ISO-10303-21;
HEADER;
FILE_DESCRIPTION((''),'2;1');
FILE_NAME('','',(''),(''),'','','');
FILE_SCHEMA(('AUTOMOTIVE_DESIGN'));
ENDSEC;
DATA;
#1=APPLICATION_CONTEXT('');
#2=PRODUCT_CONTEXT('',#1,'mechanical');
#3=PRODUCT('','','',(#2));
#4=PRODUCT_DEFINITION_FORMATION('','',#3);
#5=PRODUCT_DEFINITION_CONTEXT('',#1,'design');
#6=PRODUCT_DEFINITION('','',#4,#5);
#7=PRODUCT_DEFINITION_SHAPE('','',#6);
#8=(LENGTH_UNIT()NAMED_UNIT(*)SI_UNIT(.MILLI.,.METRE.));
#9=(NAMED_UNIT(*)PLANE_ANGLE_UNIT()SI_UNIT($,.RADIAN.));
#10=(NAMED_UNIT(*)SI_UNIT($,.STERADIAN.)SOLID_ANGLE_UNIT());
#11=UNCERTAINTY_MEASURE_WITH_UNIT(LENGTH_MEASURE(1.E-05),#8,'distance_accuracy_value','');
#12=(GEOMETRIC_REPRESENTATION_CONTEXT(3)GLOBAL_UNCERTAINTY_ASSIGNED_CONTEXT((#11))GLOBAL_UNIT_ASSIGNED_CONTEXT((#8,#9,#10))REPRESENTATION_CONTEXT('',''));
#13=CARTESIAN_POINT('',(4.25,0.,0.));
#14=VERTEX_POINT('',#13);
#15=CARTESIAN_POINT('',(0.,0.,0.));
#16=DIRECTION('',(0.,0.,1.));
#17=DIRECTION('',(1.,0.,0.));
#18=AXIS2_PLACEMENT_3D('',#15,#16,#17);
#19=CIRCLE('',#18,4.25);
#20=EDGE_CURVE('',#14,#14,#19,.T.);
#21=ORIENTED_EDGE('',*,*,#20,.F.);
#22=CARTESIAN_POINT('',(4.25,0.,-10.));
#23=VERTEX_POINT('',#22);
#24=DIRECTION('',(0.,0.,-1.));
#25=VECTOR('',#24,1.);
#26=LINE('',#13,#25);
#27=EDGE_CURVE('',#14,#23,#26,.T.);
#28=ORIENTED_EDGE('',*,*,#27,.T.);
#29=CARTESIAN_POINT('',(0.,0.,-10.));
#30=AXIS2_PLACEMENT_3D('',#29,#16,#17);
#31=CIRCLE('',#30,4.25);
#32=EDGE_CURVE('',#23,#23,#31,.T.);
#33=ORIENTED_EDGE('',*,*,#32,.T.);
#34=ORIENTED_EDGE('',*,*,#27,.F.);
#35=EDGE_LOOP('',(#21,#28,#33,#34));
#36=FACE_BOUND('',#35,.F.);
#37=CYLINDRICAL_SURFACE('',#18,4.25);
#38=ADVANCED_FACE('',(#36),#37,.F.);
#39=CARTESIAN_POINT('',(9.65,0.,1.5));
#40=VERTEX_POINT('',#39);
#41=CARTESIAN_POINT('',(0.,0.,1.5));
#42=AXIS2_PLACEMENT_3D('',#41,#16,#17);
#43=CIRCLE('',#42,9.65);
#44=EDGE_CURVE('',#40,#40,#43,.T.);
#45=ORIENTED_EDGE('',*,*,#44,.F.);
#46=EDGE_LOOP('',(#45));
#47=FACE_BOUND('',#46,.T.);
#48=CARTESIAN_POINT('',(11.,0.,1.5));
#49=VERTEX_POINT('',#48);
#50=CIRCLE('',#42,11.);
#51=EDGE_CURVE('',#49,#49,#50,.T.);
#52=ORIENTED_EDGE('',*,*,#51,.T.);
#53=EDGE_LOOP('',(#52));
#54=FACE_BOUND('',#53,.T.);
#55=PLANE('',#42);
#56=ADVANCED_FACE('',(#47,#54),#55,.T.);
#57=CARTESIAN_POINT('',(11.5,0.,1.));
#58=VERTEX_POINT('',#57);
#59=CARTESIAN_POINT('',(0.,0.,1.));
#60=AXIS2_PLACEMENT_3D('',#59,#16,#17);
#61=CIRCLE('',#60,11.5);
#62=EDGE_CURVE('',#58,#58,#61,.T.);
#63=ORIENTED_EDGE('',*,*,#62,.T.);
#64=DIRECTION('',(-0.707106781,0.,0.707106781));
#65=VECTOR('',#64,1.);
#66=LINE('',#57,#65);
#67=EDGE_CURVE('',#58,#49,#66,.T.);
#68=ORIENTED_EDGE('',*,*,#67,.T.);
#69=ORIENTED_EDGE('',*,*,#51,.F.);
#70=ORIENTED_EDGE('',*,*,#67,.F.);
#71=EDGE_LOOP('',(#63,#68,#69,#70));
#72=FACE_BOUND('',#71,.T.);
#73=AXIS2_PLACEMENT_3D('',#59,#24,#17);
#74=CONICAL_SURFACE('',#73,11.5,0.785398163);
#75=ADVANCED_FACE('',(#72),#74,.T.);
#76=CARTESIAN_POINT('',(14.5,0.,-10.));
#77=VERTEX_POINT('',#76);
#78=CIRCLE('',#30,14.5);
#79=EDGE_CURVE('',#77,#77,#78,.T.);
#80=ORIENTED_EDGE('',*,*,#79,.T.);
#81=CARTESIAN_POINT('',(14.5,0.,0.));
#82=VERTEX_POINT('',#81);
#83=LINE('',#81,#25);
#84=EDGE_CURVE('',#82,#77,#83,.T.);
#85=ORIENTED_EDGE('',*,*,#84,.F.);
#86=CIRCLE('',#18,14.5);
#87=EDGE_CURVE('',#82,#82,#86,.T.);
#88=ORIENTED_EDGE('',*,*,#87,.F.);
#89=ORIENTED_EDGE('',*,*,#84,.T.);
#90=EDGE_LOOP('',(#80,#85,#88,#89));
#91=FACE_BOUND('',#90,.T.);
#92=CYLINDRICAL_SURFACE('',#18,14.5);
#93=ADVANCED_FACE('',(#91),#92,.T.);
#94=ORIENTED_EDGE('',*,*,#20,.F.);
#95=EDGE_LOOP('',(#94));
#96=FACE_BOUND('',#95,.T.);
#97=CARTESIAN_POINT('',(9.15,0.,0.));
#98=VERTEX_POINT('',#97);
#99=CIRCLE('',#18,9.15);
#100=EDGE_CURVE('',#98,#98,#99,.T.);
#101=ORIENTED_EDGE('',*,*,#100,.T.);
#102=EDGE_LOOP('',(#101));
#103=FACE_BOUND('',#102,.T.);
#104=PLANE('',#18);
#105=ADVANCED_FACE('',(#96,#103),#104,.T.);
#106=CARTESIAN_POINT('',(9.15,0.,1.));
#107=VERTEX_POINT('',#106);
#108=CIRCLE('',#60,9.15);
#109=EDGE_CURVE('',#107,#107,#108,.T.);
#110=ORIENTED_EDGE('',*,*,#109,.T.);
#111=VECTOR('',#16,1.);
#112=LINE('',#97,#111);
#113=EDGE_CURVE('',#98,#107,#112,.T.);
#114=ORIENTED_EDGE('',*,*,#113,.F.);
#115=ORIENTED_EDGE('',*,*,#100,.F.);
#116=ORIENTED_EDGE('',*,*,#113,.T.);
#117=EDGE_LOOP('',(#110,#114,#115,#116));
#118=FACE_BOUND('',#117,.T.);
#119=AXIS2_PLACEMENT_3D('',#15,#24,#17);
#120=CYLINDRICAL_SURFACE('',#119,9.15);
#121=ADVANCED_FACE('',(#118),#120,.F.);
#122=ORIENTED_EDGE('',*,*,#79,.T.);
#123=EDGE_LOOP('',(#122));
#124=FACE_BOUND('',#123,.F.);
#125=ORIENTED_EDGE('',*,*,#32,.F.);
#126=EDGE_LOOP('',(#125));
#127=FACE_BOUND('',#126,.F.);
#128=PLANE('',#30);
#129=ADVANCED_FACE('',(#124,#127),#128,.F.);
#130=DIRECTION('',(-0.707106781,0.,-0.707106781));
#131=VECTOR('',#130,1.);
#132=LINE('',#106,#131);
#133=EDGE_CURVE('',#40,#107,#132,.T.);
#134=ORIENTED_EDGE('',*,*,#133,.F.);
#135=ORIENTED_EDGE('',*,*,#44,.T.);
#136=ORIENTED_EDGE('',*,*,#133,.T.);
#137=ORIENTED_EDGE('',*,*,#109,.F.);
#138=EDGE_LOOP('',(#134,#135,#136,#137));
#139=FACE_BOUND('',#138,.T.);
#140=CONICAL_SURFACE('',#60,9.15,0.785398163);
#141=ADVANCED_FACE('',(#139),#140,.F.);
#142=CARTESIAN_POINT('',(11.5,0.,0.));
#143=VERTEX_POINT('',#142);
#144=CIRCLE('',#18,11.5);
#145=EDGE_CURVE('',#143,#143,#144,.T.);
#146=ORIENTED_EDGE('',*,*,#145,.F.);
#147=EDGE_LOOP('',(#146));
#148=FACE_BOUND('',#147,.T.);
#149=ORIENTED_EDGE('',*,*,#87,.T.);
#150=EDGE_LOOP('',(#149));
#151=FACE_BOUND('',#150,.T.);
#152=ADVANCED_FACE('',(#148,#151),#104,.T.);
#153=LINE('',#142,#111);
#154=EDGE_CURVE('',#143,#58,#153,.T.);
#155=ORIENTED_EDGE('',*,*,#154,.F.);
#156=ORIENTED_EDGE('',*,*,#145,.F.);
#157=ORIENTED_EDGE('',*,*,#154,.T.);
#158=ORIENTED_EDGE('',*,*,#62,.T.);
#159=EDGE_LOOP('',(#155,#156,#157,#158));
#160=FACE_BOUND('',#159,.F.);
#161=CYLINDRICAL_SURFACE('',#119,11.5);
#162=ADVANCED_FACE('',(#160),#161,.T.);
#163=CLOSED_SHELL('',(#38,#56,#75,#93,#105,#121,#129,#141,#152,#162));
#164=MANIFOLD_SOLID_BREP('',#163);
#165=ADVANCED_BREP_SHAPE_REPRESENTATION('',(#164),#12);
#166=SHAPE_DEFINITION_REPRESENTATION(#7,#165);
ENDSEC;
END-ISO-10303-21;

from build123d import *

# Parameters (mm, degrees)
F0_R     = 14.5
F0_R_2   = 11.5
F0_R_3   = 9.15
F0_R_4   = 4.25
F1_DEPTH = 10
F2_DEPTH = 1.5
F3_SIZE  = 0.5


with BuildPart() as f1:
    # F0 (on Top) → F1 (new body)
    with BuildSketch(Plane.XY):
        Circle(F0_R)
        Circle(F0_R_2, mode=Mode.SUBTRACT)
        Circle(F0_R_2)
        Circle(F0_R_3, mode=Mode.SUBTRACT)
        Circle(F0_R_3)
        Circle(F0_R_4, mode=Mode.SUBTRACT)
    extrude(amount=-F1_DEPTH)

    # F0 (on Top) → F2 (join)
    with BuildSketch(Plane.XY):
        Circle(F0_R_2)
        Circle(F0_R_3, mode=Mode.SUBTRACT)
    extrude(amount=F2_DEPTH)

    # F3
    f3_edges = [f1.edges().sort_by_distance(p)[0] for p in [
        (-11.5, 0, 1.5),
        (-9.15, 0, 1.5),
    ]]
    chamfer(f3_edges, length=F3_SIZE)


solid = f1.part
